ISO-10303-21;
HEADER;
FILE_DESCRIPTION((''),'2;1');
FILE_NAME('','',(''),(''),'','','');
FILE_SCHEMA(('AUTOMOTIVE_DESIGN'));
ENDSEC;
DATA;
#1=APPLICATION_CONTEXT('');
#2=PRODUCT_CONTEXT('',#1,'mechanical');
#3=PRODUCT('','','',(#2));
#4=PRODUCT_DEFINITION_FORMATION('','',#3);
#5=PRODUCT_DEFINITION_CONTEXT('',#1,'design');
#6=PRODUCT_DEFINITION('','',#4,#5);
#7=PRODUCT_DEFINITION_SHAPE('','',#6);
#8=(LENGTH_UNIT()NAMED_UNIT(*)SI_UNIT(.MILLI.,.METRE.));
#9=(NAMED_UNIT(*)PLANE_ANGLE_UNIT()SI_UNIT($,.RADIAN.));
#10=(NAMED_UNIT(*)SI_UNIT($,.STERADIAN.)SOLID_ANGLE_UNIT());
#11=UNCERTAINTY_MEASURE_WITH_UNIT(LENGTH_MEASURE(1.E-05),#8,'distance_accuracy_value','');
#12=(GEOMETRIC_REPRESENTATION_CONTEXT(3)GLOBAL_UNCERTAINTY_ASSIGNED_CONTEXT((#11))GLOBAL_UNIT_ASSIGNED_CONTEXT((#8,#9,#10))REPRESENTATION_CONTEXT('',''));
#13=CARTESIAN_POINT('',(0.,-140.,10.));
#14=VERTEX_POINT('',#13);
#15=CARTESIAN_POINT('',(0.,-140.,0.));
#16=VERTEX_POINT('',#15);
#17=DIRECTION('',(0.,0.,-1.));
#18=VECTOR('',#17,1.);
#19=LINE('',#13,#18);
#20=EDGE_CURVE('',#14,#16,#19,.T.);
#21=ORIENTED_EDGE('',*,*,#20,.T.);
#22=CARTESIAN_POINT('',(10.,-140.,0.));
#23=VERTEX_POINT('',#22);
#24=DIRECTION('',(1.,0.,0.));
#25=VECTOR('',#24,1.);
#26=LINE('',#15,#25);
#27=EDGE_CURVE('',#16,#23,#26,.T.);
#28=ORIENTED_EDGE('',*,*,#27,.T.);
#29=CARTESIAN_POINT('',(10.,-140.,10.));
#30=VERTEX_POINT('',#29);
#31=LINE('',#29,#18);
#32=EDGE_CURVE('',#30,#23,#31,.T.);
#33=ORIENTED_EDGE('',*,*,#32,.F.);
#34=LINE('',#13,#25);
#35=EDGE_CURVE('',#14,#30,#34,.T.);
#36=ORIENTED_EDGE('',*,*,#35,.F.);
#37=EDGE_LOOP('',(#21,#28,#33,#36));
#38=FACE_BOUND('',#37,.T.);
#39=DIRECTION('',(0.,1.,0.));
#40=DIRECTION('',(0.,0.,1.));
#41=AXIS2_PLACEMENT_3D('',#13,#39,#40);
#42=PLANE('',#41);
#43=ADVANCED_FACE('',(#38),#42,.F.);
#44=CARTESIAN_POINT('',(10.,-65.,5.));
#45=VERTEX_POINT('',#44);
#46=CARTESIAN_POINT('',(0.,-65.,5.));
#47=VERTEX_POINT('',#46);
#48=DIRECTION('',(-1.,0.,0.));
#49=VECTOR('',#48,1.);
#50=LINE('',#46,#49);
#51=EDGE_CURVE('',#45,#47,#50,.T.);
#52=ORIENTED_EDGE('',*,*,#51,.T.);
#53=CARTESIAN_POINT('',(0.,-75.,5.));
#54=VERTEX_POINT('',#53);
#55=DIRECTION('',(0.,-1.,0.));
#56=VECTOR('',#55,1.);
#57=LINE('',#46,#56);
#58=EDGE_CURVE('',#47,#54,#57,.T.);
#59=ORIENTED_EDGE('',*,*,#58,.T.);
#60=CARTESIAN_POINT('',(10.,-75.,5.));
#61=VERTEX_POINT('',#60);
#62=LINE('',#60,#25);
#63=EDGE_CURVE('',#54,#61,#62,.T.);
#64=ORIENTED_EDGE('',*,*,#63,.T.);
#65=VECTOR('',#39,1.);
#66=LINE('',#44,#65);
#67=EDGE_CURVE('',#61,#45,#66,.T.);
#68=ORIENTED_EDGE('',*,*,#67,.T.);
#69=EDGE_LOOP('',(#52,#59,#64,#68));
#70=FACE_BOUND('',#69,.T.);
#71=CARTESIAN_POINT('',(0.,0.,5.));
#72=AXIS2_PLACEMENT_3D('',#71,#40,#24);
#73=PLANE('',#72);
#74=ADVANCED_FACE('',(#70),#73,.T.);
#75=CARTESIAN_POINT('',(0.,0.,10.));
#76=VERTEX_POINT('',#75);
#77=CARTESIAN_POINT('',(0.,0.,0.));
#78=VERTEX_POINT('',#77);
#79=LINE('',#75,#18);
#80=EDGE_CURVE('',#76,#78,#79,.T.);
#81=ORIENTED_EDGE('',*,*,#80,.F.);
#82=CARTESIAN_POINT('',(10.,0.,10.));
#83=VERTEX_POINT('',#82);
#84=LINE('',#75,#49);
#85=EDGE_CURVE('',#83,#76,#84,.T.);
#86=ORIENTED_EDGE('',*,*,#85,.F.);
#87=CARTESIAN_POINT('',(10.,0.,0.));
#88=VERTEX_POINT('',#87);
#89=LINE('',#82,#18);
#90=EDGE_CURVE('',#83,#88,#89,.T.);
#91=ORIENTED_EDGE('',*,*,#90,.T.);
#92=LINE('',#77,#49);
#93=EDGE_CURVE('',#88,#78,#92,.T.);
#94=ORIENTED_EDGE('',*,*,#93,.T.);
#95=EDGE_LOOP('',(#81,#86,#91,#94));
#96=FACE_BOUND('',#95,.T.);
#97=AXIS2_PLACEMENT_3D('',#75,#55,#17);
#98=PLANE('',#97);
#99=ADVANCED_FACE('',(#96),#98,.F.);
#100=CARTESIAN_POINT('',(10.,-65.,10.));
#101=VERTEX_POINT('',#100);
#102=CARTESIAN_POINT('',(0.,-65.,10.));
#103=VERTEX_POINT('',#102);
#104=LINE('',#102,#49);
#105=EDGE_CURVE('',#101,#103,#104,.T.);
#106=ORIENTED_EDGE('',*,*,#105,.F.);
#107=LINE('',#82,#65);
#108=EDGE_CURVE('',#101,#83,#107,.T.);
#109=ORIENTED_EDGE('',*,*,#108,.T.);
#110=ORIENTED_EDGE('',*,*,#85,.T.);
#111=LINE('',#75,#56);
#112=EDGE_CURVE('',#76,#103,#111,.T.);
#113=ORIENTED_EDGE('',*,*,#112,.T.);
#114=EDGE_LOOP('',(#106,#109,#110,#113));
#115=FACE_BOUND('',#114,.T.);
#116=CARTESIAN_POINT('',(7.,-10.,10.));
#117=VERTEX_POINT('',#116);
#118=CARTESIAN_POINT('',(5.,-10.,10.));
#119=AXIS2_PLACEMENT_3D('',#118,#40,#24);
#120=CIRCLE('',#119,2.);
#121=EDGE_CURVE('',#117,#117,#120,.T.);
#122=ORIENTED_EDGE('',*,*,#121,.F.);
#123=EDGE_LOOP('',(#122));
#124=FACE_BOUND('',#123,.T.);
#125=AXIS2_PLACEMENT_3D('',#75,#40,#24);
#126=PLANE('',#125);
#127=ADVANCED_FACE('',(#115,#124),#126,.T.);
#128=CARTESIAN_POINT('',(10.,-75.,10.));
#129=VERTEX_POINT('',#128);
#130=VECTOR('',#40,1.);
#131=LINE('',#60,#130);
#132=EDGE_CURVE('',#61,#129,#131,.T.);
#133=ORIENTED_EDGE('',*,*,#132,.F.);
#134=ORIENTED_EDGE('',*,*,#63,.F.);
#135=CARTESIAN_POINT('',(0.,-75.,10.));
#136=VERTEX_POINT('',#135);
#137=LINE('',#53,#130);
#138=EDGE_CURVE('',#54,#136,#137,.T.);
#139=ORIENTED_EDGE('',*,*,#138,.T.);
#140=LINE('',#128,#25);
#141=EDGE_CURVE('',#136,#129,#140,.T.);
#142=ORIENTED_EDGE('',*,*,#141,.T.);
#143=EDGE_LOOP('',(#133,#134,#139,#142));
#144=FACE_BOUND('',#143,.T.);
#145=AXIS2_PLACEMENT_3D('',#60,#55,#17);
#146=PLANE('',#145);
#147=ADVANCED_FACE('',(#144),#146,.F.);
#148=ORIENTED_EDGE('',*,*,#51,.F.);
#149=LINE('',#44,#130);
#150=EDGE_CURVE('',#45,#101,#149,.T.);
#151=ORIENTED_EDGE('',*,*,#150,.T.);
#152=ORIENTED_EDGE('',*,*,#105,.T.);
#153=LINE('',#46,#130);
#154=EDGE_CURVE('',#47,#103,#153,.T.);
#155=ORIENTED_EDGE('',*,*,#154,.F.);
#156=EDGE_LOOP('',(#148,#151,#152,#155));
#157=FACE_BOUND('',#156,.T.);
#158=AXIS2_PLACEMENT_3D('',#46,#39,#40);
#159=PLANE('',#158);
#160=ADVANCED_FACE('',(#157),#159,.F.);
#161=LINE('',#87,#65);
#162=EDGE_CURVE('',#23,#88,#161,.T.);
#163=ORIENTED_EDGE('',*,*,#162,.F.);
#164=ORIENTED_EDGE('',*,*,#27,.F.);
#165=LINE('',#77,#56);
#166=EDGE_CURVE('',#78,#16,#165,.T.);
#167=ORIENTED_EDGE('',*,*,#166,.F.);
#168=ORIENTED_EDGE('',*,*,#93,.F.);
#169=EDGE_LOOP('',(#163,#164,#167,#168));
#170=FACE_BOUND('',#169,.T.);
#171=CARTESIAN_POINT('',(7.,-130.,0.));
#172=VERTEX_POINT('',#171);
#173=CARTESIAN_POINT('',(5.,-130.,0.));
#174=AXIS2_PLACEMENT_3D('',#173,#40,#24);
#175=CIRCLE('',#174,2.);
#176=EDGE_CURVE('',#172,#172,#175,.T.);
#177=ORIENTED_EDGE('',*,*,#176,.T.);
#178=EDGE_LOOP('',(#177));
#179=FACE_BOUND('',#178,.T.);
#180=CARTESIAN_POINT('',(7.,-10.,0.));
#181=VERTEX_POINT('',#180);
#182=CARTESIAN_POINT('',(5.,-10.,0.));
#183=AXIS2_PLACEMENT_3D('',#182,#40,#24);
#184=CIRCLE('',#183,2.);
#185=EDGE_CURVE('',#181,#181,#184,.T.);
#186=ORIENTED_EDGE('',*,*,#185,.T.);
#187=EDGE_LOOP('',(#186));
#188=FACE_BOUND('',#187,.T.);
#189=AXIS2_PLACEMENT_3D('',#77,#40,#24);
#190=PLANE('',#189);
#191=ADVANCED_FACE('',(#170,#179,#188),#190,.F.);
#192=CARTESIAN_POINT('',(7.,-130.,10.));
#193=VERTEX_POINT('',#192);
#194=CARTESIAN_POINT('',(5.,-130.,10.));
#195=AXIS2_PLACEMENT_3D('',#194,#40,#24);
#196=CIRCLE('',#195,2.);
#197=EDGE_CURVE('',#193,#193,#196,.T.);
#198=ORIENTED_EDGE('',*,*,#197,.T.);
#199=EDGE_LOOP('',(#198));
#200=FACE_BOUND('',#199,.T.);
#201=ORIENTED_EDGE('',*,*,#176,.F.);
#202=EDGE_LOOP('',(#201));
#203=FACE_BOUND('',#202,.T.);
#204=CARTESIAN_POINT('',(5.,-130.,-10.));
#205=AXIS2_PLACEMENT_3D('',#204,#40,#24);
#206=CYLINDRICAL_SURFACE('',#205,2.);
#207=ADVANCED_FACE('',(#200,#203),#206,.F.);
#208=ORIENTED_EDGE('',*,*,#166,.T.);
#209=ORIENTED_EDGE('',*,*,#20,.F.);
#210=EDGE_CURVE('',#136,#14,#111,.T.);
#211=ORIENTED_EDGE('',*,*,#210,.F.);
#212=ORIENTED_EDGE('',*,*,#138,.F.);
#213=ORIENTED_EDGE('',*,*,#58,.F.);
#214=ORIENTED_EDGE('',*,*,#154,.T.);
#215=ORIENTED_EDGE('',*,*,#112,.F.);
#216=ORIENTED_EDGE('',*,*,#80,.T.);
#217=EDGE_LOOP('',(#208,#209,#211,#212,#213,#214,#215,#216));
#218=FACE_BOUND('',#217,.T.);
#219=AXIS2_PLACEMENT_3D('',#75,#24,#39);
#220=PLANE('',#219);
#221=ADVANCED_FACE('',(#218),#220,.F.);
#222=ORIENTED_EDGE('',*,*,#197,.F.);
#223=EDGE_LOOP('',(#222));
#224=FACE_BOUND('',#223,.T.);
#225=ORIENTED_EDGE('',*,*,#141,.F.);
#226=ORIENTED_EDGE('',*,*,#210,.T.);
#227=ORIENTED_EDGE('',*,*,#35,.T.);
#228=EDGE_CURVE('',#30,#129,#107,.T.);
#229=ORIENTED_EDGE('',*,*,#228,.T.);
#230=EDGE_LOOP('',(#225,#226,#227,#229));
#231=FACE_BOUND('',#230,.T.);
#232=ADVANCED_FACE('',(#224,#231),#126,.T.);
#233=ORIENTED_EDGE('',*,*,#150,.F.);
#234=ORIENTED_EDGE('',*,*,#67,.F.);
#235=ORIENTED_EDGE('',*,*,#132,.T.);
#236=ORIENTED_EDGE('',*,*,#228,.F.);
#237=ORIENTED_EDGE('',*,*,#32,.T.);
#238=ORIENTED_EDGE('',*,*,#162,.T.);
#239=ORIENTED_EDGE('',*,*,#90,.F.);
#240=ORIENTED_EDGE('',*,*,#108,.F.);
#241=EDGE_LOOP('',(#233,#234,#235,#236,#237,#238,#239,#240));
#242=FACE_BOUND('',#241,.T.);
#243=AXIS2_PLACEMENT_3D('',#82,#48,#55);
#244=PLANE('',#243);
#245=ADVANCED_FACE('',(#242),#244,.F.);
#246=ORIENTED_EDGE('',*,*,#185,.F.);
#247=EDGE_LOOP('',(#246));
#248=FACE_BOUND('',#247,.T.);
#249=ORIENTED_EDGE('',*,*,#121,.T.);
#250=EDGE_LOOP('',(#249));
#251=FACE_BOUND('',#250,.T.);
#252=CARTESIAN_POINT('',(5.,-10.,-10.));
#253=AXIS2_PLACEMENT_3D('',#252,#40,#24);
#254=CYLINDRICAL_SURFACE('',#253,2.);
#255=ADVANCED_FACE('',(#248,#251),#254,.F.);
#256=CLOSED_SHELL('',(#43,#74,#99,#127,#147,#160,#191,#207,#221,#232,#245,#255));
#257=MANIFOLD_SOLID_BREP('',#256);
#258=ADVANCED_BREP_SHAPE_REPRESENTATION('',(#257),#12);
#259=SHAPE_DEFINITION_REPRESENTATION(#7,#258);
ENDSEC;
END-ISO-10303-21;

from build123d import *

# Parameters (mm, degrees)
SKETCH1_W           = 10
SKETCH1_H           = 140
BOSS_EXTRUDE1_DEPTH = 10
SKETCH5_R           = 2
CUT_EXTRUDE1_DEPTH  = 20
SKETCH6_W           = 10
SKETCH6_H           = 10
CUT_EXTRUDE2_DEPTH  = 5


with BuildPart() as part:
    # Sketch1 → Boss-Extrude1 (new body)
    with BuildSketch(Plane.XY):
        with Locations((5, -70)):
            Rectangle(SKETCH1_W, SKETCH1_H)
    extrude(amount=BOSS_EXTRUDE1_DEPTH)

    # Sketch5 → Cut-Extrude1 (cut)
    with BuildSketch(Plane.XY.offset(10)):
        with Locations((5, -10)):
            Circle(SKETCH5_R)
        with Locations((5, -130)):
            Circle(SKETCH5_R)
    extrude(amount=-CUT_EXTRUDE1_DEPTH, mode=Mode.SUBTRACT)

    # Sketch6 → Cut-Extrude2 (cut)
    with BuildSketch(Plane.XY.offset(10)):
        with Locations((5, -70)):
            Rectangle(SKETCH6_W, SKETCH6_H)
    extrude(amount=-CUT_EXTRUDE2_DEPTH, mode=Mode.SUBTRACT)


solid = part.part
